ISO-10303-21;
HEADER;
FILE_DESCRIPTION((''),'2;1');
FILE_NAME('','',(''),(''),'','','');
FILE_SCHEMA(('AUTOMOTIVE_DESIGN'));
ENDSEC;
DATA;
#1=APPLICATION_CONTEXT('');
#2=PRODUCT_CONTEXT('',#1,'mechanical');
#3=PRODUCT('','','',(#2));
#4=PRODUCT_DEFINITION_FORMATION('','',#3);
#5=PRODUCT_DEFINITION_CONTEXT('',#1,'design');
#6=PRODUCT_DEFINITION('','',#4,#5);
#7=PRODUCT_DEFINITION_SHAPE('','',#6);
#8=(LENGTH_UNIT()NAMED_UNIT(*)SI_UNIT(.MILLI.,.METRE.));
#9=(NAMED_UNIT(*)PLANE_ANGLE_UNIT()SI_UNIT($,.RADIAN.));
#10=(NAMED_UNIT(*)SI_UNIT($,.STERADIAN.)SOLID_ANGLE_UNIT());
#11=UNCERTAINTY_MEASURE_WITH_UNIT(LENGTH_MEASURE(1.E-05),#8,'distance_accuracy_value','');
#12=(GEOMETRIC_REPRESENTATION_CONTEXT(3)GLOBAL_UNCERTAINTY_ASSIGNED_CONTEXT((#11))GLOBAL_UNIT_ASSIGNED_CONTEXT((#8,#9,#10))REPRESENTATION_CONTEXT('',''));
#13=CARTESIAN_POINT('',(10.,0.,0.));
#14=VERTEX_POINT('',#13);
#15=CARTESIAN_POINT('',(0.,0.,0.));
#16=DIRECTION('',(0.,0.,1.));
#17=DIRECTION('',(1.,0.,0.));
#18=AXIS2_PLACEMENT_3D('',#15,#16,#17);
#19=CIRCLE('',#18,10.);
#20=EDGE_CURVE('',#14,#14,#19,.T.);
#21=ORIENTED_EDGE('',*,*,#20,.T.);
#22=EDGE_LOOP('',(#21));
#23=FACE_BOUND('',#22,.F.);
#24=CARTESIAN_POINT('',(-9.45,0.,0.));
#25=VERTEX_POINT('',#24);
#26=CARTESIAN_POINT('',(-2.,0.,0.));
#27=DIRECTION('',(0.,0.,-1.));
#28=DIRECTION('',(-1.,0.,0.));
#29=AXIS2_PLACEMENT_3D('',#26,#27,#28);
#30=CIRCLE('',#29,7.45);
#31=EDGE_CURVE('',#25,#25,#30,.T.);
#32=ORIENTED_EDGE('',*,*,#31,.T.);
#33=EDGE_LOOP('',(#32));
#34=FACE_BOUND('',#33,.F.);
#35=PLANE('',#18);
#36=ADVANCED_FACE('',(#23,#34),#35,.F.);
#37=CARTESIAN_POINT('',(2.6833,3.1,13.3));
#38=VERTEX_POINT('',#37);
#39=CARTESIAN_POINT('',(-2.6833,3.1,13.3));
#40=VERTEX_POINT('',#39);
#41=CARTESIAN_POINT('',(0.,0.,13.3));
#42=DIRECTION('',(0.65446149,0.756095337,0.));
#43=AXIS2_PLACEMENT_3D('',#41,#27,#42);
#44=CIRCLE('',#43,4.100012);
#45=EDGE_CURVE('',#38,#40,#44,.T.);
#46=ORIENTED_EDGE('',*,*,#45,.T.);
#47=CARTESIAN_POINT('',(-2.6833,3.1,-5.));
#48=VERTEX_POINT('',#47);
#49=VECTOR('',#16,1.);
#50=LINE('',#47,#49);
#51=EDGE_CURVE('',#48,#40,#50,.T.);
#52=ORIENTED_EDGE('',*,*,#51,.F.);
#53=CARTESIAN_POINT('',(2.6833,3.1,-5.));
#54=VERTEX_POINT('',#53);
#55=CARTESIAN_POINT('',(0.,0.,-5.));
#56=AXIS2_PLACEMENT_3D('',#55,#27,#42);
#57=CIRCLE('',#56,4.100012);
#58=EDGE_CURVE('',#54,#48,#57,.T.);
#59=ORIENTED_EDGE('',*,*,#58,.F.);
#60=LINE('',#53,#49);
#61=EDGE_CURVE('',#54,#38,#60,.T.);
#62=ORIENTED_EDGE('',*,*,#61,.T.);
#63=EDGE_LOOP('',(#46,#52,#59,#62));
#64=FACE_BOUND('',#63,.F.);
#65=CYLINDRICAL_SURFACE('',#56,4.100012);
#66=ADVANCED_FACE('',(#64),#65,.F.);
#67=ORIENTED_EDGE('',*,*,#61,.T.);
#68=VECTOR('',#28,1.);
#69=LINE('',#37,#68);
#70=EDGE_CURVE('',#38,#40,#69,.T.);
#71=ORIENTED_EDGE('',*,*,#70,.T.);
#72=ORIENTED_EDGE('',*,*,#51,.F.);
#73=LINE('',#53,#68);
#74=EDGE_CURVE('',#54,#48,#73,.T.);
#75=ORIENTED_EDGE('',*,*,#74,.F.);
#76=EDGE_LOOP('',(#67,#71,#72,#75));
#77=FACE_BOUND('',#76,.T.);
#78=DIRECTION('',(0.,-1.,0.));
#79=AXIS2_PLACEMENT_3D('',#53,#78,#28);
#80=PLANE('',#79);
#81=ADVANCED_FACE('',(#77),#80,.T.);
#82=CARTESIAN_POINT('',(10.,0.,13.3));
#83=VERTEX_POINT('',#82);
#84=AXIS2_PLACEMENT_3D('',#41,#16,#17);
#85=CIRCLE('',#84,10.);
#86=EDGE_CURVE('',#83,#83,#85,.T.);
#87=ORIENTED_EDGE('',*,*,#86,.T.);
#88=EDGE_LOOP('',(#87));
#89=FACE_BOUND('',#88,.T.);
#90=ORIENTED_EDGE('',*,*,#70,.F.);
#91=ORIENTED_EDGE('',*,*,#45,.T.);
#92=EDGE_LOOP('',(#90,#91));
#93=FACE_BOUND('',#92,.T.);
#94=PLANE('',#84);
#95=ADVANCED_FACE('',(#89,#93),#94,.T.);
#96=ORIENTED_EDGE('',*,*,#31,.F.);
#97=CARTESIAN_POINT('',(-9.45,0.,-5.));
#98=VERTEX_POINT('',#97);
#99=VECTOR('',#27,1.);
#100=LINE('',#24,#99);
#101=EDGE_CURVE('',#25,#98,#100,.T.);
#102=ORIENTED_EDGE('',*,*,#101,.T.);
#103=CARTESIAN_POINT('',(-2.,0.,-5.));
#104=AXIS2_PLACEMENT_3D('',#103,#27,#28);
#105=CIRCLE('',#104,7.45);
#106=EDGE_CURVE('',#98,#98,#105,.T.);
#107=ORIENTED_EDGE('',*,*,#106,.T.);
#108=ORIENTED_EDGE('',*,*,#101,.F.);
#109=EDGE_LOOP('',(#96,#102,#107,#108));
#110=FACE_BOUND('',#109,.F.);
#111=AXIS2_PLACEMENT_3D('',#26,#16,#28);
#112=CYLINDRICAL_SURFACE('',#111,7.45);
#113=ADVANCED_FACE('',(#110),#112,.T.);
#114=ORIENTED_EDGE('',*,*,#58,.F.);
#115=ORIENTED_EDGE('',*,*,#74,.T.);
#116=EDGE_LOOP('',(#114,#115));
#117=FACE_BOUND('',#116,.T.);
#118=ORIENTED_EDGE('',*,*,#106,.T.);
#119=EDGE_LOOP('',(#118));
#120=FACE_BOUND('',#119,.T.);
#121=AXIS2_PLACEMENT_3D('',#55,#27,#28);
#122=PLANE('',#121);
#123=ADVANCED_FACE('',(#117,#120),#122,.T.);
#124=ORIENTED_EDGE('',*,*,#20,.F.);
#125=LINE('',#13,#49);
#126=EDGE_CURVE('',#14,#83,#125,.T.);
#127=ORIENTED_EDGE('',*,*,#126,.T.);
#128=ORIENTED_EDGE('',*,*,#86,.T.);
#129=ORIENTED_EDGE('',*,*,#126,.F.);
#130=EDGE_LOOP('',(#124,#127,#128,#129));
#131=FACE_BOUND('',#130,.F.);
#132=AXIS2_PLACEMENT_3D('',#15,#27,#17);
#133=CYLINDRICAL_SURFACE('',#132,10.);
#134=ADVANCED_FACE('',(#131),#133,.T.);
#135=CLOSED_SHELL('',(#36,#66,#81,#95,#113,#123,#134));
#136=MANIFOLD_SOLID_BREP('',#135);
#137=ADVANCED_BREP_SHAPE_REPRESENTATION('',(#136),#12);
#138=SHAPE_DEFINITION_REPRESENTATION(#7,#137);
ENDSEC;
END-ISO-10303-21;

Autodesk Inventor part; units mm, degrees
ref_plane "YZ Plane" through (0, 0, 0) normal (1, 0, 0) x (0, 1, 0)
ref_plane "XZ Plane" through (0, 0, 0) normal (0, 1, 0) x (-1, 0, 0)
ref_plane "XY Plane" through (0, 0, 0) normal (0, 0, 1) x (1, 0, 0)
sketch "스케치1" plane through (0, 0, 0) normal (0, 0, 1) x (1, 0, 0)
  circle A0 centre (0, 0) radius 10
  circle A1 centre (0, 0) radius 4
  dimension "d0" = 20
  dimension "d1" = 8
extrude "돌출1" add sketch "스케치1" along normal blind 13.3
sketch "스케치2" plane through (0, 0, 0) normal (0, 0, -1) x (-1, 0, 0)
  line L0 (-2.6458, 3) -> (2.6458, 3)
  circle A0 centre (0, 0) radius 4 projected
  dimension "d4" = 3
extrude "돌출2" add sketch "스케치2" against normal up to surface (13.3 mm away) contours A0 L0 picked at (-0.6179, 3.1815)
sketch "스케치3" plane through (0, 0, 0) normal (0, 0, -1) x (-1, 0, 0)
  circle A0 centre (2, 0) radius 7.45
  line L0 (0, 0) -> (2, 0)
  arc A1 (-2.6458, 3) -> (2.6458, 3) centre (0, 0) ccw projected
  line L1 (-2.6458, 3) -> (2.6458, 3) projected
  dimension "d7" = 14.9
  dimension "d8" = 2
extrude "돌출3" add sketch "스케치3" along normal blind 5
sketch "스케치4" plane through (-2, 0, -5) normal (0, 0, -1) x (-1, 0, 0)
  arc A0 (-4.6458, 3) -> (0.6458, 3) centre (-2, 0) ccw projected
  line L0 (-4.6458, 3) -> (0.6458, 3) projected
  arc A1 (-4.6833, 3.1) -> (0.6833, 3.1) centre (-2, 0) ccw
  line L1 (-4.6833, 3.1) -> (0.6833, 3.1)
  dimension "d11" = 0.1
extrude "돌출4" cut sketch "스케치4" against normal up to surface (18.3 mm away) contours L0 A0 | L1 A1
properties part number "감속기어1 - 축"
